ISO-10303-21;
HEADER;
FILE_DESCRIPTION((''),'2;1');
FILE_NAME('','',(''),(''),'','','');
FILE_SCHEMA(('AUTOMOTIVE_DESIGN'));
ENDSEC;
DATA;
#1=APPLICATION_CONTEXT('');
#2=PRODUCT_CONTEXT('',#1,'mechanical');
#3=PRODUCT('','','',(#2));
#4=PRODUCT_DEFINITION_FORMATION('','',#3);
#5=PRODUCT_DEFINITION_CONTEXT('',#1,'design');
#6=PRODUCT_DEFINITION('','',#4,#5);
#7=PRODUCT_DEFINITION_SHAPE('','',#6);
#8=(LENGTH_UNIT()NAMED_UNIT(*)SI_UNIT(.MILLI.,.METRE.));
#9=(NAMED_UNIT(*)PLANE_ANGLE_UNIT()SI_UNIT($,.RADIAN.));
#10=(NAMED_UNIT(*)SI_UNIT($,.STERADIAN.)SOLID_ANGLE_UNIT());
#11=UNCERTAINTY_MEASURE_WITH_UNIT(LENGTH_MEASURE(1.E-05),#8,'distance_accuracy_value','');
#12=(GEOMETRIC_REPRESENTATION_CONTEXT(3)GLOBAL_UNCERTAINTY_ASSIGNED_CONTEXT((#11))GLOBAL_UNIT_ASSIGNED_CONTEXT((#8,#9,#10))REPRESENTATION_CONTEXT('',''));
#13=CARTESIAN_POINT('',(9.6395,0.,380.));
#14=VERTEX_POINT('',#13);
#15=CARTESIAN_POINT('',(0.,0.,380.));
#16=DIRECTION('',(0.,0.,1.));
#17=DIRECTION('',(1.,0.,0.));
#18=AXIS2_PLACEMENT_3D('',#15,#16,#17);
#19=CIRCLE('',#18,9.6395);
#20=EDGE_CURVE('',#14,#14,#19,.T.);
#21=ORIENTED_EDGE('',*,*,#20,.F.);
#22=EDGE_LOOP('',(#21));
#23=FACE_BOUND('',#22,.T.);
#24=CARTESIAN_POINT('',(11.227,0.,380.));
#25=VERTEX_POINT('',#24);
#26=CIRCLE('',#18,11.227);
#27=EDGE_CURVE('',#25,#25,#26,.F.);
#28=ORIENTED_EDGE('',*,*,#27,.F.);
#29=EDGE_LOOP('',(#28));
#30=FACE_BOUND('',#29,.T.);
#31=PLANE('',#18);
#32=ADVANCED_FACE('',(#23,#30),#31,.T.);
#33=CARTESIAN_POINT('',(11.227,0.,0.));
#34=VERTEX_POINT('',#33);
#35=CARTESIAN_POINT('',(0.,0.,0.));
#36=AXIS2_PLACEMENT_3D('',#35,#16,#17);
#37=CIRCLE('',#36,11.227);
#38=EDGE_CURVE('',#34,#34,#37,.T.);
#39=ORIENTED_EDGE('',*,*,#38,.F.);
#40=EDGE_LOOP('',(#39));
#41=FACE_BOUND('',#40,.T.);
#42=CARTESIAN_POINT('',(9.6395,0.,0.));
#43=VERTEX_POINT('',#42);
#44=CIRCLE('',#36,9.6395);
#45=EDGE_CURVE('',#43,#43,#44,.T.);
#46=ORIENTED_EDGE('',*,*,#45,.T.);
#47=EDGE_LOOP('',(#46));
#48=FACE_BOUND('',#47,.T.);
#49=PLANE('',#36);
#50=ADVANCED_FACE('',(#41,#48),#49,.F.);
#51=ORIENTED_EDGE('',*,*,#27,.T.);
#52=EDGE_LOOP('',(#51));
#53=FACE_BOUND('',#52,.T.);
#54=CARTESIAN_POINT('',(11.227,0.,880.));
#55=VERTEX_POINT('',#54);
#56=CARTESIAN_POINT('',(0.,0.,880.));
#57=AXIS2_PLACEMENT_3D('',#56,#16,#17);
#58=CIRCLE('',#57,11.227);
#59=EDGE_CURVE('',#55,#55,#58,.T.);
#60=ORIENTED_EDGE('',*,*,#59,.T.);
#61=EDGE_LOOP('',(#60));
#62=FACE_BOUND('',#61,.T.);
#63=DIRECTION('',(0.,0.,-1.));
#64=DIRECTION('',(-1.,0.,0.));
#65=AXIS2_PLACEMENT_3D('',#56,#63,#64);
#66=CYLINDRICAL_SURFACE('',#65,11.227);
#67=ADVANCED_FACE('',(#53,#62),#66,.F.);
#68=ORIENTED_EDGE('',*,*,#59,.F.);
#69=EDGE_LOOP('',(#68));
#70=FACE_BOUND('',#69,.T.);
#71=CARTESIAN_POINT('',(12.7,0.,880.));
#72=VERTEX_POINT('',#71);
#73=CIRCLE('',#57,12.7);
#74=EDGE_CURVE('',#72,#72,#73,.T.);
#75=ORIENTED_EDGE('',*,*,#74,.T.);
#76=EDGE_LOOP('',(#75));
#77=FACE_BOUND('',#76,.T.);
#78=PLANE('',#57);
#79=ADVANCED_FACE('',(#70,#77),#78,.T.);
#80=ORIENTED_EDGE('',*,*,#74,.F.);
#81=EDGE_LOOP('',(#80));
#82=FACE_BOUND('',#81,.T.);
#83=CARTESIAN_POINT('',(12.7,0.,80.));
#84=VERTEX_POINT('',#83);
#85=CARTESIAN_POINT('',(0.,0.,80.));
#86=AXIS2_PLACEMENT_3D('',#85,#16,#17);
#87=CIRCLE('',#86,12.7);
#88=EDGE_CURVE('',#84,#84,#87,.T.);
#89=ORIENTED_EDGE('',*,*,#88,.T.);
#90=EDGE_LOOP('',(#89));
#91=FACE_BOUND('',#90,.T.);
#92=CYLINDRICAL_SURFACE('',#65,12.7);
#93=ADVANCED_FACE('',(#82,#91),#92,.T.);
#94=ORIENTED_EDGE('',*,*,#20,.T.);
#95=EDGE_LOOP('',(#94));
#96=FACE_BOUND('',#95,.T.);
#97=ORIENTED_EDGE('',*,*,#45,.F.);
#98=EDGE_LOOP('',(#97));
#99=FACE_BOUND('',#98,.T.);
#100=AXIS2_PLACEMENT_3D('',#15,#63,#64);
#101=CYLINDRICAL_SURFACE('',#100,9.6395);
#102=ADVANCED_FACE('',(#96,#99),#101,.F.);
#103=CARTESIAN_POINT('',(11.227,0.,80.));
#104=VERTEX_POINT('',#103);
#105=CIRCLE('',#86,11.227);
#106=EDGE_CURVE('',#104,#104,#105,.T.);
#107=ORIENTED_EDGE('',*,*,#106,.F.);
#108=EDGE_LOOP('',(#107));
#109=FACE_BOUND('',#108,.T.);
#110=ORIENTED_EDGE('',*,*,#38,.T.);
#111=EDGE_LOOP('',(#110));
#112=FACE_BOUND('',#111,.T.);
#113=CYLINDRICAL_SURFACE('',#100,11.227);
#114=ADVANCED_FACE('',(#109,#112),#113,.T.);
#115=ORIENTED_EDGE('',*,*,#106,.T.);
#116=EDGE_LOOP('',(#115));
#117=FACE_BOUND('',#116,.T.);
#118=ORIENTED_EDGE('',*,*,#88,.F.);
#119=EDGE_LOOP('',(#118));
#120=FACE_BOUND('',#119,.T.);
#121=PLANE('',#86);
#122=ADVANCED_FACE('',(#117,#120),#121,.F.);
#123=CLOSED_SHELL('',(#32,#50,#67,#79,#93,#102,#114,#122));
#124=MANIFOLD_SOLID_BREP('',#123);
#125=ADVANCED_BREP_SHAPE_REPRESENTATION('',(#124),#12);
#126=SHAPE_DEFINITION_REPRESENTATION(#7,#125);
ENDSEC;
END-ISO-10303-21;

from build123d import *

# Parameters (mm, degrees)
SKETCH1_R           = 11.227
SKETCH1_R_2         = 9.6395
BOSS_EXTRUDE1_DEPTH = 380
BOSS_EXTRUDE2_START = 80
SKETCH2_R           = 12.7
SKETCH2_R_2         = 11.227
BOSS_EXTRUDE2_DEPTH = 800


with BuildPart() as part:
    # Sketch1 → Boss-Extrude1 (new body)
    with BuildSketch(Plane.XY):
        Circle(SKETCH1_R)
        Circle(SKETCH1_R_2, mode=Mode.SUBTRACT)
    extrude(amount=BOSS_EXTRUDE1_DEPTH)

    # Sketch2 → Boss-Extrude2 (add)
    with BuildSketch(Plane.XY.offset(BOSS_EXTRUDE2_START)):
        Circle(SKETCH2_R)
        Circle(SKETCH2_R_2, mode=Mode.SUBTRACT)
    extrude(amount=BOSS_EXTRUDE2_DEPTH)


solid = part.part
